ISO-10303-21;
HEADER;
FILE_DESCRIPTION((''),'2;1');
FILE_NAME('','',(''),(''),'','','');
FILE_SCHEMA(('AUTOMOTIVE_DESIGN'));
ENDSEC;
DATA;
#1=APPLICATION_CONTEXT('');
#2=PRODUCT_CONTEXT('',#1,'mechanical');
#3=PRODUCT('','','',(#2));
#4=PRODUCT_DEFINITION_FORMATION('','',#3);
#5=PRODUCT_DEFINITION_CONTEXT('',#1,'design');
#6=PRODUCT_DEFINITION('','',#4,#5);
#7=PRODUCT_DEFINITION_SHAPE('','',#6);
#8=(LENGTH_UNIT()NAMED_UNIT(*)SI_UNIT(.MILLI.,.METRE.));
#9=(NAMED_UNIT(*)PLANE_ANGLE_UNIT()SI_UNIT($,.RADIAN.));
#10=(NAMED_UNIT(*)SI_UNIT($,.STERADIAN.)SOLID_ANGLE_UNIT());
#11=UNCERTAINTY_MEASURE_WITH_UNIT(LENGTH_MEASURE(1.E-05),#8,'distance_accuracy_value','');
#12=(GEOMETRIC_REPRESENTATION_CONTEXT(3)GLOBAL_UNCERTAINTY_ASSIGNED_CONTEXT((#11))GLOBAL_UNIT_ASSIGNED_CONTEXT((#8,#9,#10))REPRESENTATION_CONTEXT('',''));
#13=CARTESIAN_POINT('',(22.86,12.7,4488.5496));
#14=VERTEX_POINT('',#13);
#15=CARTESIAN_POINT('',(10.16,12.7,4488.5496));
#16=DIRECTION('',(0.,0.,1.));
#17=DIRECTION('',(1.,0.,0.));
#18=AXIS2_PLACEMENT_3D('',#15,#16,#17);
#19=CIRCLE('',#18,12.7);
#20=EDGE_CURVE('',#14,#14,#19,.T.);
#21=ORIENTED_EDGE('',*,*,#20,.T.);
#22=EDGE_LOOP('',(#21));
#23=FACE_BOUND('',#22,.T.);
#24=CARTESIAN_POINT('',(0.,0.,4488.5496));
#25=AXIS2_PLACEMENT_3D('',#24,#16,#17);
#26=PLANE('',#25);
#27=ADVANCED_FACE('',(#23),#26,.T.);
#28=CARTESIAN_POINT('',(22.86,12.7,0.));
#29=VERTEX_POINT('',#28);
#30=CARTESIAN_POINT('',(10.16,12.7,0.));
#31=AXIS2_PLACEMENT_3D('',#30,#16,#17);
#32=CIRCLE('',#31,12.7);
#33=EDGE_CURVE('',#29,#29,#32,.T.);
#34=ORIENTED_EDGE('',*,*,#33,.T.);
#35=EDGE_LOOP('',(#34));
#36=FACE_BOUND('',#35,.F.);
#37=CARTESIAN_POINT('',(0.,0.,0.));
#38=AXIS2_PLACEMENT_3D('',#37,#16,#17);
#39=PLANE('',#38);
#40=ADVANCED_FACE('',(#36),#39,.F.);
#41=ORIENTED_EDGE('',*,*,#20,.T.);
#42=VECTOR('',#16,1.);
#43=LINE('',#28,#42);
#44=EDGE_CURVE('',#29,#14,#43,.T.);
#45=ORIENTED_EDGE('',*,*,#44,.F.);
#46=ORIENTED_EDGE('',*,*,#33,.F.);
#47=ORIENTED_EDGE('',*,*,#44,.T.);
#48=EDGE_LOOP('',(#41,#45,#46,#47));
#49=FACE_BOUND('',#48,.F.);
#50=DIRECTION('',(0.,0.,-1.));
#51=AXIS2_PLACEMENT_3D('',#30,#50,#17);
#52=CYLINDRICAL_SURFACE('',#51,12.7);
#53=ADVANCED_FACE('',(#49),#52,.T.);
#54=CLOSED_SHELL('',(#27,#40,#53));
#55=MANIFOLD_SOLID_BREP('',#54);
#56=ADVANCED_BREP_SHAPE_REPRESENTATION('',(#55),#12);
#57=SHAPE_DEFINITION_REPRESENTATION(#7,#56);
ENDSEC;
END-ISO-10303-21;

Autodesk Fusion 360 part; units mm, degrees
sketch "Sketch1" plane through (0, 0, 0) normal (0, 0, 1) x (1, 0, 0)
  circle A0 centre (10.16, 12.7) radius 12.7
  dimension "d6" = 25.4
extrude "Extrude1" add sketch "Sketch1" along normal blind 4488.5496
equation "Diameter = 1 in"
equation "Load = 400 lbforce"
equation "YoungsModulus = 10000000 psi"
equation "MaxDef = 0.009 in"
equation "Length = ( MaxDef * ( 0.785398 * ( Diameter ^ 2 ) ) * YoungsModulus ) / Load"
equation "d6 = Diameter"
equation "d7 = Length"
